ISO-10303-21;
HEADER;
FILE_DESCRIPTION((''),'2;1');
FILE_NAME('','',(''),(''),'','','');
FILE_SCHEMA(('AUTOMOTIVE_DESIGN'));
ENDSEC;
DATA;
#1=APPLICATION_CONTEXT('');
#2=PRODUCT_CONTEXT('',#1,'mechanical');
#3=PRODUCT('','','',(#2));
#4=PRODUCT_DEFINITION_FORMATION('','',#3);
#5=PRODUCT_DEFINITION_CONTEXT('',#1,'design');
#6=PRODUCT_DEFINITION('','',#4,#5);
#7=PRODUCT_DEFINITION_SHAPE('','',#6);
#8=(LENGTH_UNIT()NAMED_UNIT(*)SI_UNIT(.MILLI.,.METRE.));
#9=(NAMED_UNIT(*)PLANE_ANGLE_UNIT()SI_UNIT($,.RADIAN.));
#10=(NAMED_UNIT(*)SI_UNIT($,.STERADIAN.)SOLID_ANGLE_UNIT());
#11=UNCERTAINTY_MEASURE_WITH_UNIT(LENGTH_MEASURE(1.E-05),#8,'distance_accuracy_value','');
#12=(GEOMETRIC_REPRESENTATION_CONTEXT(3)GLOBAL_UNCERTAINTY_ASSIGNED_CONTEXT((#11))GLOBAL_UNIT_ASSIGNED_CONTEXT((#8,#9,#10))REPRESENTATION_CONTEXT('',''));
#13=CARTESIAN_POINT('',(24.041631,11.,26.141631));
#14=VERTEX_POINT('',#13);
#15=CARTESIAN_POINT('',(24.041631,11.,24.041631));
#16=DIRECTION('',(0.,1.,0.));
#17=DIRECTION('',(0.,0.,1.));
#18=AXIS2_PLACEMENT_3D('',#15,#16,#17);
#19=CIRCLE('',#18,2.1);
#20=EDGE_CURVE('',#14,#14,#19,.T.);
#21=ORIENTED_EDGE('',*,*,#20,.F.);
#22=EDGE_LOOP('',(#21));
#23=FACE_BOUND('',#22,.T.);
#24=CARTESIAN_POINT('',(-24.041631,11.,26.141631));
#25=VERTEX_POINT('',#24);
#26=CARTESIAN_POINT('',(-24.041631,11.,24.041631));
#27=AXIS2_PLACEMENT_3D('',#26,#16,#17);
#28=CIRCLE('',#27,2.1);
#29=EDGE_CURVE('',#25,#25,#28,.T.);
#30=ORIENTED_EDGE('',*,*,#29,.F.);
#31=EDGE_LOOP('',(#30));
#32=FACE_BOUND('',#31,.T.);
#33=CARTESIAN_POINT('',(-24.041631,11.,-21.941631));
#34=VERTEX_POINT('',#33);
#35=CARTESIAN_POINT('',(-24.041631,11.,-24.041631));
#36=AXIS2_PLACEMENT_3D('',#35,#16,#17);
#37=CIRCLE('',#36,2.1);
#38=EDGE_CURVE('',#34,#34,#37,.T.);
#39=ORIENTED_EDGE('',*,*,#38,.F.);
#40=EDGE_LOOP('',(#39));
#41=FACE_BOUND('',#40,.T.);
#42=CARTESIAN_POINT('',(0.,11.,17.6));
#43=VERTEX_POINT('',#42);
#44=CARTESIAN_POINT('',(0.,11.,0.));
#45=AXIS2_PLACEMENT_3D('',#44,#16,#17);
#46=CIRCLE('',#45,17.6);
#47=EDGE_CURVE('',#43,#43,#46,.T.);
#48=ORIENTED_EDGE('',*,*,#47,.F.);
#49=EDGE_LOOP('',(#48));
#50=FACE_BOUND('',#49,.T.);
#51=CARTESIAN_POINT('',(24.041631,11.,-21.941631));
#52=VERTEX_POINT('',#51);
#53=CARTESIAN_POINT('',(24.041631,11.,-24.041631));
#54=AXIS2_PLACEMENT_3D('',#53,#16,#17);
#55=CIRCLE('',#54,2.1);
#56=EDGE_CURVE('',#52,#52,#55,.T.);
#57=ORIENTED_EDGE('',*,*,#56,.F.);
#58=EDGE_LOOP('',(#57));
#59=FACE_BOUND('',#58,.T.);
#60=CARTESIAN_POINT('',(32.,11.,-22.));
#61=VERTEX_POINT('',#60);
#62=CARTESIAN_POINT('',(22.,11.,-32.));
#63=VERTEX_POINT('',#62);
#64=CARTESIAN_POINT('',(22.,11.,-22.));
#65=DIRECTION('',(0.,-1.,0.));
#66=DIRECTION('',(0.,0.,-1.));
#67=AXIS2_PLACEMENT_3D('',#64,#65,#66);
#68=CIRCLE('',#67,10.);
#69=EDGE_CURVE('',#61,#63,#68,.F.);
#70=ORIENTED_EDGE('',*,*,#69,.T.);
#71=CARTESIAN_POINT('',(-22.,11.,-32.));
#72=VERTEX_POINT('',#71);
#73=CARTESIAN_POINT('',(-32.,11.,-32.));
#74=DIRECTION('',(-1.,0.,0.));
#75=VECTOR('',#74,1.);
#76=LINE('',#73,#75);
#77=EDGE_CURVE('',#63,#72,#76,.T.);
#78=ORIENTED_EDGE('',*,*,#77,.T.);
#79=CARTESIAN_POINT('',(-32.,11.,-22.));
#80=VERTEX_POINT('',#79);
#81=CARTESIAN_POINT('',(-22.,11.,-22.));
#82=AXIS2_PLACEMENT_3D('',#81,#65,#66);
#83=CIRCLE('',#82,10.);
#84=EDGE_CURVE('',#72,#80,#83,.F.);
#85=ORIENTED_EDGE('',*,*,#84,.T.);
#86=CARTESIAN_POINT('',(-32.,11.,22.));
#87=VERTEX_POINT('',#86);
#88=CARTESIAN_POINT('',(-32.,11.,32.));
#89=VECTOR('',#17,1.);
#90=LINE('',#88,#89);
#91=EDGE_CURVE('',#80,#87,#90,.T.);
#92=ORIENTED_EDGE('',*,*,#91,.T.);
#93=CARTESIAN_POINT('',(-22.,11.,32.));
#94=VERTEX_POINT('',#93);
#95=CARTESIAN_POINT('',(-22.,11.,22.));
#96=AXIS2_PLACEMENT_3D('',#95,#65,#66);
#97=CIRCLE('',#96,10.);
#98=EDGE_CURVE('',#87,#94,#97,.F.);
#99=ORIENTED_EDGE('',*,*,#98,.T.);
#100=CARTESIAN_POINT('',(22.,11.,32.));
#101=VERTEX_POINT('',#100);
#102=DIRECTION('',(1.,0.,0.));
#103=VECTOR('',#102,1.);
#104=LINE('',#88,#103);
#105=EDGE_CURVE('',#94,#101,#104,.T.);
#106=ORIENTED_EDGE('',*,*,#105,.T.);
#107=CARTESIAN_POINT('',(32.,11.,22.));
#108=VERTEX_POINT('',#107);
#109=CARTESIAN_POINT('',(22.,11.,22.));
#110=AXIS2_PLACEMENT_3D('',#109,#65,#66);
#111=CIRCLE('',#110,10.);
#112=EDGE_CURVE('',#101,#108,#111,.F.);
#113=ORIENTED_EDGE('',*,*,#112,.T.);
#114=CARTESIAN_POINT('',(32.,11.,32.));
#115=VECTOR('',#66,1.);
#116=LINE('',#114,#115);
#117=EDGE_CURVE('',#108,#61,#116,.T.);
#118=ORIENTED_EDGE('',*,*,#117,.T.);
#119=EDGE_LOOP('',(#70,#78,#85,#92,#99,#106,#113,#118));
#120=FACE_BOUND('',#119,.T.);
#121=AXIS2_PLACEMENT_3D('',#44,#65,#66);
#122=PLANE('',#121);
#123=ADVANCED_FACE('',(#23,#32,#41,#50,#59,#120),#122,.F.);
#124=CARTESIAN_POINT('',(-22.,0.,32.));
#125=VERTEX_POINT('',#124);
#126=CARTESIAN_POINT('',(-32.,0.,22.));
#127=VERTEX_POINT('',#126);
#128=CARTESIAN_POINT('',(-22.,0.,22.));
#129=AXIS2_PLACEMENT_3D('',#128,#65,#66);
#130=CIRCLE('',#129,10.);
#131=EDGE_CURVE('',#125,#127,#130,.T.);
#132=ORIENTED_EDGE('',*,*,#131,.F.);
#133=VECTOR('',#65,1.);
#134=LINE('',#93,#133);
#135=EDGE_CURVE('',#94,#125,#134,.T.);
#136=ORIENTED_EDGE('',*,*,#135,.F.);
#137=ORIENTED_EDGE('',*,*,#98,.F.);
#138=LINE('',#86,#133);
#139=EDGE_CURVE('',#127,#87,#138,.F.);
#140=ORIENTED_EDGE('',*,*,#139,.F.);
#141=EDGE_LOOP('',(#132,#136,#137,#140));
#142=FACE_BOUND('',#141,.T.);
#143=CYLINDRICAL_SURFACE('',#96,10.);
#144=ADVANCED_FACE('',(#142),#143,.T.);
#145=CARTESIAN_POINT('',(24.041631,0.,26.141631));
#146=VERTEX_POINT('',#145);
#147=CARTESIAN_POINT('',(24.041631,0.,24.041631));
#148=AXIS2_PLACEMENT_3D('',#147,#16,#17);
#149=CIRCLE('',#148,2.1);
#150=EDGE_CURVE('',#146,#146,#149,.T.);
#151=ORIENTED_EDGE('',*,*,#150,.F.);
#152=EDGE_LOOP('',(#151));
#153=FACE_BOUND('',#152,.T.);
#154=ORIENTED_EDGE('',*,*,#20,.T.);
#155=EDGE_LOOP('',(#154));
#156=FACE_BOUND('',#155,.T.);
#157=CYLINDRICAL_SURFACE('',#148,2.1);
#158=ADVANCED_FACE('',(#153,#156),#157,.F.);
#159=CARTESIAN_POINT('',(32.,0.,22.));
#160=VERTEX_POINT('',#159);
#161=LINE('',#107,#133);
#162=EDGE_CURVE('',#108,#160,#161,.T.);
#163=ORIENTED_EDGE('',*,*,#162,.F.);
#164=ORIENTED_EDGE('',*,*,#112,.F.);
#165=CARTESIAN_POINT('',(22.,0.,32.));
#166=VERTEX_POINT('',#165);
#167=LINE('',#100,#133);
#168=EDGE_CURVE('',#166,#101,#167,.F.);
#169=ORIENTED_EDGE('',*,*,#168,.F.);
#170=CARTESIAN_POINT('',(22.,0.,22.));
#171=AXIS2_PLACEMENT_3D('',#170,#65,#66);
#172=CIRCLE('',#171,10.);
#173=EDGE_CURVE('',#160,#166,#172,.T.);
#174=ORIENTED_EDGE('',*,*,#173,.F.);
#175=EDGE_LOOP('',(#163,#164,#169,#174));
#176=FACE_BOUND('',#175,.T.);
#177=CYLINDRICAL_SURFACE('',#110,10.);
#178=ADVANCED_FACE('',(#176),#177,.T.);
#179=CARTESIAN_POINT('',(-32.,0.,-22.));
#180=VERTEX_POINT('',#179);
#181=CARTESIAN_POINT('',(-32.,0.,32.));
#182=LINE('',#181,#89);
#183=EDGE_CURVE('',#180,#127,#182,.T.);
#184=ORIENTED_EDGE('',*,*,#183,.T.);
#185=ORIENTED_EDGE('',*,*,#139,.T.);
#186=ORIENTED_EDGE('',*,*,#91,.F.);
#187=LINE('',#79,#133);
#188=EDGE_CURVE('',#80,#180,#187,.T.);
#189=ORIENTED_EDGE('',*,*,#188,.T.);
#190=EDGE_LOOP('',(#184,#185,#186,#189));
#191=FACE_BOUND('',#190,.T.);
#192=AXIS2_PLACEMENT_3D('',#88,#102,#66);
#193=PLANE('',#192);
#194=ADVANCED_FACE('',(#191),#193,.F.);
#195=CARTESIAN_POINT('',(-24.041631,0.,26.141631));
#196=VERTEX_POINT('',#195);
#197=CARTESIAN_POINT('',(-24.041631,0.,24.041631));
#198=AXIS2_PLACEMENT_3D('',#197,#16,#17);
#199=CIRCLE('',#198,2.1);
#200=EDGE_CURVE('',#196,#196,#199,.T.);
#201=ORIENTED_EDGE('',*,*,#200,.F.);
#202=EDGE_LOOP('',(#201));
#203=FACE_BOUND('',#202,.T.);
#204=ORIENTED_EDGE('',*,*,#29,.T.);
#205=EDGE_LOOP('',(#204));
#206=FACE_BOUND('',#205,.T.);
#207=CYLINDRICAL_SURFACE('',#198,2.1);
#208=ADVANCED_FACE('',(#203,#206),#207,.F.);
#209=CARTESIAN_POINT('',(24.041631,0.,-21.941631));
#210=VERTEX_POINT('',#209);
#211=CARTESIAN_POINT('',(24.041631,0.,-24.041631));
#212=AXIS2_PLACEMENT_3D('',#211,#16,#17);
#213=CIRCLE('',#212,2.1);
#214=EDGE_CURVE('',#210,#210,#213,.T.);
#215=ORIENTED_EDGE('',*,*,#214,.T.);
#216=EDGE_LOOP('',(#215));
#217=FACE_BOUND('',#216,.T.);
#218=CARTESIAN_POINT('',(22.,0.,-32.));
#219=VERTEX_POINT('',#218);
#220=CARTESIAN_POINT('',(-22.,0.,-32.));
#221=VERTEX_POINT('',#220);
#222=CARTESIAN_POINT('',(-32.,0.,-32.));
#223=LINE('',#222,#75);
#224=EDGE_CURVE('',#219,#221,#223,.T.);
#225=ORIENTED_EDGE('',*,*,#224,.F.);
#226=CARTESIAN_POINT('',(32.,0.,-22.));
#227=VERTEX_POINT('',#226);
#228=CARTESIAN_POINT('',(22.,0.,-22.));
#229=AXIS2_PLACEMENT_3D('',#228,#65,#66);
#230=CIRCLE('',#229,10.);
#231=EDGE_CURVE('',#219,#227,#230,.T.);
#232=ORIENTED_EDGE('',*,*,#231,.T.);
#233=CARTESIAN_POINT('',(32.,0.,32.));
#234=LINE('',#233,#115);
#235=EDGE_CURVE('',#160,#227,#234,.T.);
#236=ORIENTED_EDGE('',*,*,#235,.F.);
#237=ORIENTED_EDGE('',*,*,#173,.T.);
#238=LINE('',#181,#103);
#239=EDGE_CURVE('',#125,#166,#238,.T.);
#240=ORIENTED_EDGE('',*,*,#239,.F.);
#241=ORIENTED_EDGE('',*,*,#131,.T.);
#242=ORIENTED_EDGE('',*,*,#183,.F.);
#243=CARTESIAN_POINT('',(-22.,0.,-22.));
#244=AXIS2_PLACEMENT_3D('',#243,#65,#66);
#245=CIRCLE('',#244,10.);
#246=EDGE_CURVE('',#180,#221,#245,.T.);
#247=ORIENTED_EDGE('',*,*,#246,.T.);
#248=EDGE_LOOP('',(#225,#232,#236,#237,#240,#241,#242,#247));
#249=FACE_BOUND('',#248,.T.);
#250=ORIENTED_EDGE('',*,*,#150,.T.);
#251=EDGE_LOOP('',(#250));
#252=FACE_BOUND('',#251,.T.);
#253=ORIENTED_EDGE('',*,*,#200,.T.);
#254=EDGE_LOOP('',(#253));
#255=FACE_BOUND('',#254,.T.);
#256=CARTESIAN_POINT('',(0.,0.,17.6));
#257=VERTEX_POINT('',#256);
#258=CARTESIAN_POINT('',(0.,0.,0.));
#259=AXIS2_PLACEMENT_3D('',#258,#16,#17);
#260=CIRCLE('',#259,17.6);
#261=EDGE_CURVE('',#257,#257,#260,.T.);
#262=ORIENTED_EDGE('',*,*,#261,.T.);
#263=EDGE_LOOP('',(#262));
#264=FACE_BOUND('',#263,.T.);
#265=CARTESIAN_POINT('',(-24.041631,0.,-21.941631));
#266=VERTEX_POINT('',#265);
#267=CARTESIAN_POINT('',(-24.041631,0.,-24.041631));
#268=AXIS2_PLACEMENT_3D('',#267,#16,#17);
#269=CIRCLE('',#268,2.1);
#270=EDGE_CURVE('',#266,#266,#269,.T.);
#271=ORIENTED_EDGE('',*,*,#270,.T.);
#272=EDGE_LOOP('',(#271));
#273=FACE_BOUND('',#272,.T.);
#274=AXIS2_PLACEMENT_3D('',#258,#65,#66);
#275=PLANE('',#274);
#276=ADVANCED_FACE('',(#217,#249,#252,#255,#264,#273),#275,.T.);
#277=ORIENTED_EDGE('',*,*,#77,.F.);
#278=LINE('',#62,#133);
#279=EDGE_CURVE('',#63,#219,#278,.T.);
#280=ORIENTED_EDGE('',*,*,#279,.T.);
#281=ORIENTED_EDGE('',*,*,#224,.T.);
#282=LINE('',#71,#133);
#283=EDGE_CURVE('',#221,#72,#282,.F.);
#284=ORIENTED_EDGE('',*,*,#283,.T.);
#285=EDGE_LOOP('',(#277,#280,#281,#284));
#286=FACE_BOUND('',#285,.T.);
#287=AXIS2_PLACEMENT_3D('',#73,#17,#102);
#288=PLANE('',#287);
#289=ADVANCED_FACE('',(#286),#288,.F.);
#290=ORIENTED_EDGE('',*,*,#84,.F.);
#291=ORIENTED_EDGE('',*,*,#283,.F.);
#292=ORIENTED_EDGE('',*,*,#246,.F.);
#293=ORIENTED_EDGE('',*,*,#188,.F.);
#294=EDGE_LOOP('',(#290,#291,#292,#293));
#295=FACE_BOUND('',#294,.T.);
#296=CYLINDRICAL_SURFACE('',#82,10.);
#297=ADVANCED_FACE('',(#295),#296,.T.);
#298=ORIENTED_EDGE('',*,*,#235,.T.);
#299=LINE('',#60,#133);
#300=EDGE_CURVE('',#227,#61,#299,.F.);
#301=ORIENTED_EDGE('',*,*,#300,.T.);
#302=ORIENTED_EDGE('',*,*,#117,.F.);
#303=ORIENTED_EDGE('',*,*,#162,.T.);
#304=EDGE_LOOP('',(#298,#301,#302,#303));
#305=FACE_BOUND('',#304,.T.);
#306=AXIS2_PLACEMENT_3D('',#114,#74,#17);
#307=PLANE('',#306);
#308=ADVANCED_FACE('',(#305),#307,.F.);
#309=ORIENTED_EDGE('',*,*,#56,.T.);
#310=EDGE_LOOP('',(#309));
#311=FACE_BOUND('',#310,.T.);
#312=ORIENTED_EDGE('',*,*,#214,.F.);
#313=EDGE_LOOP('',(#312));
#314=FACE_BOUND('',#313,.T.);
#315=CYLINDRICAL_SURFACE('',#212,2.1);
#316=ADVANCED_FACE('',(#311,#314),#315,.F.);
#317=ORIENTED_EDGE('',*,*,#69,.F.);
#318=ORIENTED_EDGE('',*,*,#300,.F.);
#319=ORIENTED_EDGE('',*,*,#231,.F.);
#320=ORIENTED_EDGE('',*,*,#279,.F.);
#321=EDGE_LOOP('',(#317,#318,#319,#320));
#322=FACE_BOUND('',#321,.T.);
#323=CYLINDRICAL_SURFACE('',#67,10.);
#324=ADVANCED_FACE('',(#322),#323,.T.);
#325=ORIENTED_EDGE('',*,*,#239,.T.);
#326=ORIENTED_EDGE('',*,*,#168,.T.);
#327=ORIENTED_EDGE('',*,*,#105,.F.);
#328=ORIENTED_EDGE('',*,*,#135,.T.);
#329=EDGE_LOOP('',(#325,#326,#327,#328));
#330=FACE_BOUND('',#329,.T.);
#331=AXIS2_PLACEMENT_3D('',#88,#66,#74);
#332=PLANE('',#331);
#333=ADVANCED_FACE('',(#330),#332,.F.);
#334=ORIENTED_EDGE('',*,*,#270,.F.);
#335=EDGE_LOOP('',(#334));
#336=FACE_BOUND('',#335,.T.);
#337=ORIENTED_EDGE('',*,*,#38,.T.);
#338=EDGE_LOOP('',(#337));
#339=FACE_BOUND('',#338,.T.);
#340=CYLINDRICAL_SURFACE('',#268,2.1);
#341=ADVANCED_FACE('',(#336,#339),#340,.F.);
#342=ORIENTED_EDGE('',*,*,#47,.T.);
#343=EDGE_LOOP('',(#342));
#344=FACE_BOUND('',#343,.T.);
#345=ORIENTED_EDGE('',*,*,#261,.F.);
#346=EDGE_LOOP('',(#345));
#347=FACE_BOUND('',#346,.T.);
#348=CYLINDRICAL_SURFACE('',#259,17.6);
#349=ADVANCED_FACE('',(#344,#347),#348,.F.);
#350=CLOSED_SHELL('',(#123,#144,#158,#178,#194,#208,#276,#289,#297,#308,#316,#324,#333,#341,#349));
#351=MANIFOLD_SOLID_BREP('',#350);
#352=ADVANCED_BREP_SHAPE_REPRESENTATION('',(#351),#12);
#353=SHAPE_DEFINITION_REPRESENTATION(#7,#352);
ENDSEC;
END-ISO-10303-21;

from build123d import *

# Parameters (mm, degrees)
SKETCH_1_W          = 64
SKETCH_1_H          = 64
EXTRUDE_1_DEPTH     = 11
SKETCH_2_R          = 17.6
SKETCH_2_R_2        = 2.1
CUT_EXTRUDE_1_DEPTH = 11
FILLET_1_R          = 10


with BuildPart() as part:
    # 草图1 → 凸台-拉伸1 (new body)
    with BuildSketch(Plane(origin=(0, 0, 0), x_dir=(1, 0, 0), z_dir=(0, 1, 0))):
        Rectangle(SKETCH_1_W, SKETCH_1_H)
    extrude(amount=EXTRUDE_1_DEPTH)

    # 草图2 → 切除-拉伸1 (cut)
    with BuildSketch(Plane(origin=(0, 11, 0), x_dir=(1, 0, 0), z_dir=(0, 1, 0))):
        with Locations(Location((0, 0, 0), (0, 0, 270))):
            Circle(SKETCH_2_R)
        with Locations(Location((24.04163056, 24.04163056, 0), (0, 0, 270))):
            Circle(SKETCH_2_R_2)
        with Locations(Location((24.04163056, -24.04163056, 0), (0, 0, 270))):
            Circle(SKETCH_2_R_2)
        with Locations(Location((-24.04163056, -24.04163056, 0), (0, 0, 270))):
            Circle(SKETCH_2_R_2)
        with Locations(Location((-24.04163056, 24.04163056, 0), (0, 0, 270))):
            Circle(SKETCH_2_R_2)
    extrude(amount=-CUT_EXTRUDE_1_DEPTH, mode=Mode.SUBTRACT)

    # 圆角1
    fillet_1_edges = [part.edges().sort_by_distance(p)[0] for p in [
        (32, 5.5, 32),
        (-32, 5.5, 32),
        (-32, 5.5, -32),
        (32, 5.5, -32),
    ]]
    fillet(fillet_1_edges, radius=FILLET_1_R)


solid = part.part
